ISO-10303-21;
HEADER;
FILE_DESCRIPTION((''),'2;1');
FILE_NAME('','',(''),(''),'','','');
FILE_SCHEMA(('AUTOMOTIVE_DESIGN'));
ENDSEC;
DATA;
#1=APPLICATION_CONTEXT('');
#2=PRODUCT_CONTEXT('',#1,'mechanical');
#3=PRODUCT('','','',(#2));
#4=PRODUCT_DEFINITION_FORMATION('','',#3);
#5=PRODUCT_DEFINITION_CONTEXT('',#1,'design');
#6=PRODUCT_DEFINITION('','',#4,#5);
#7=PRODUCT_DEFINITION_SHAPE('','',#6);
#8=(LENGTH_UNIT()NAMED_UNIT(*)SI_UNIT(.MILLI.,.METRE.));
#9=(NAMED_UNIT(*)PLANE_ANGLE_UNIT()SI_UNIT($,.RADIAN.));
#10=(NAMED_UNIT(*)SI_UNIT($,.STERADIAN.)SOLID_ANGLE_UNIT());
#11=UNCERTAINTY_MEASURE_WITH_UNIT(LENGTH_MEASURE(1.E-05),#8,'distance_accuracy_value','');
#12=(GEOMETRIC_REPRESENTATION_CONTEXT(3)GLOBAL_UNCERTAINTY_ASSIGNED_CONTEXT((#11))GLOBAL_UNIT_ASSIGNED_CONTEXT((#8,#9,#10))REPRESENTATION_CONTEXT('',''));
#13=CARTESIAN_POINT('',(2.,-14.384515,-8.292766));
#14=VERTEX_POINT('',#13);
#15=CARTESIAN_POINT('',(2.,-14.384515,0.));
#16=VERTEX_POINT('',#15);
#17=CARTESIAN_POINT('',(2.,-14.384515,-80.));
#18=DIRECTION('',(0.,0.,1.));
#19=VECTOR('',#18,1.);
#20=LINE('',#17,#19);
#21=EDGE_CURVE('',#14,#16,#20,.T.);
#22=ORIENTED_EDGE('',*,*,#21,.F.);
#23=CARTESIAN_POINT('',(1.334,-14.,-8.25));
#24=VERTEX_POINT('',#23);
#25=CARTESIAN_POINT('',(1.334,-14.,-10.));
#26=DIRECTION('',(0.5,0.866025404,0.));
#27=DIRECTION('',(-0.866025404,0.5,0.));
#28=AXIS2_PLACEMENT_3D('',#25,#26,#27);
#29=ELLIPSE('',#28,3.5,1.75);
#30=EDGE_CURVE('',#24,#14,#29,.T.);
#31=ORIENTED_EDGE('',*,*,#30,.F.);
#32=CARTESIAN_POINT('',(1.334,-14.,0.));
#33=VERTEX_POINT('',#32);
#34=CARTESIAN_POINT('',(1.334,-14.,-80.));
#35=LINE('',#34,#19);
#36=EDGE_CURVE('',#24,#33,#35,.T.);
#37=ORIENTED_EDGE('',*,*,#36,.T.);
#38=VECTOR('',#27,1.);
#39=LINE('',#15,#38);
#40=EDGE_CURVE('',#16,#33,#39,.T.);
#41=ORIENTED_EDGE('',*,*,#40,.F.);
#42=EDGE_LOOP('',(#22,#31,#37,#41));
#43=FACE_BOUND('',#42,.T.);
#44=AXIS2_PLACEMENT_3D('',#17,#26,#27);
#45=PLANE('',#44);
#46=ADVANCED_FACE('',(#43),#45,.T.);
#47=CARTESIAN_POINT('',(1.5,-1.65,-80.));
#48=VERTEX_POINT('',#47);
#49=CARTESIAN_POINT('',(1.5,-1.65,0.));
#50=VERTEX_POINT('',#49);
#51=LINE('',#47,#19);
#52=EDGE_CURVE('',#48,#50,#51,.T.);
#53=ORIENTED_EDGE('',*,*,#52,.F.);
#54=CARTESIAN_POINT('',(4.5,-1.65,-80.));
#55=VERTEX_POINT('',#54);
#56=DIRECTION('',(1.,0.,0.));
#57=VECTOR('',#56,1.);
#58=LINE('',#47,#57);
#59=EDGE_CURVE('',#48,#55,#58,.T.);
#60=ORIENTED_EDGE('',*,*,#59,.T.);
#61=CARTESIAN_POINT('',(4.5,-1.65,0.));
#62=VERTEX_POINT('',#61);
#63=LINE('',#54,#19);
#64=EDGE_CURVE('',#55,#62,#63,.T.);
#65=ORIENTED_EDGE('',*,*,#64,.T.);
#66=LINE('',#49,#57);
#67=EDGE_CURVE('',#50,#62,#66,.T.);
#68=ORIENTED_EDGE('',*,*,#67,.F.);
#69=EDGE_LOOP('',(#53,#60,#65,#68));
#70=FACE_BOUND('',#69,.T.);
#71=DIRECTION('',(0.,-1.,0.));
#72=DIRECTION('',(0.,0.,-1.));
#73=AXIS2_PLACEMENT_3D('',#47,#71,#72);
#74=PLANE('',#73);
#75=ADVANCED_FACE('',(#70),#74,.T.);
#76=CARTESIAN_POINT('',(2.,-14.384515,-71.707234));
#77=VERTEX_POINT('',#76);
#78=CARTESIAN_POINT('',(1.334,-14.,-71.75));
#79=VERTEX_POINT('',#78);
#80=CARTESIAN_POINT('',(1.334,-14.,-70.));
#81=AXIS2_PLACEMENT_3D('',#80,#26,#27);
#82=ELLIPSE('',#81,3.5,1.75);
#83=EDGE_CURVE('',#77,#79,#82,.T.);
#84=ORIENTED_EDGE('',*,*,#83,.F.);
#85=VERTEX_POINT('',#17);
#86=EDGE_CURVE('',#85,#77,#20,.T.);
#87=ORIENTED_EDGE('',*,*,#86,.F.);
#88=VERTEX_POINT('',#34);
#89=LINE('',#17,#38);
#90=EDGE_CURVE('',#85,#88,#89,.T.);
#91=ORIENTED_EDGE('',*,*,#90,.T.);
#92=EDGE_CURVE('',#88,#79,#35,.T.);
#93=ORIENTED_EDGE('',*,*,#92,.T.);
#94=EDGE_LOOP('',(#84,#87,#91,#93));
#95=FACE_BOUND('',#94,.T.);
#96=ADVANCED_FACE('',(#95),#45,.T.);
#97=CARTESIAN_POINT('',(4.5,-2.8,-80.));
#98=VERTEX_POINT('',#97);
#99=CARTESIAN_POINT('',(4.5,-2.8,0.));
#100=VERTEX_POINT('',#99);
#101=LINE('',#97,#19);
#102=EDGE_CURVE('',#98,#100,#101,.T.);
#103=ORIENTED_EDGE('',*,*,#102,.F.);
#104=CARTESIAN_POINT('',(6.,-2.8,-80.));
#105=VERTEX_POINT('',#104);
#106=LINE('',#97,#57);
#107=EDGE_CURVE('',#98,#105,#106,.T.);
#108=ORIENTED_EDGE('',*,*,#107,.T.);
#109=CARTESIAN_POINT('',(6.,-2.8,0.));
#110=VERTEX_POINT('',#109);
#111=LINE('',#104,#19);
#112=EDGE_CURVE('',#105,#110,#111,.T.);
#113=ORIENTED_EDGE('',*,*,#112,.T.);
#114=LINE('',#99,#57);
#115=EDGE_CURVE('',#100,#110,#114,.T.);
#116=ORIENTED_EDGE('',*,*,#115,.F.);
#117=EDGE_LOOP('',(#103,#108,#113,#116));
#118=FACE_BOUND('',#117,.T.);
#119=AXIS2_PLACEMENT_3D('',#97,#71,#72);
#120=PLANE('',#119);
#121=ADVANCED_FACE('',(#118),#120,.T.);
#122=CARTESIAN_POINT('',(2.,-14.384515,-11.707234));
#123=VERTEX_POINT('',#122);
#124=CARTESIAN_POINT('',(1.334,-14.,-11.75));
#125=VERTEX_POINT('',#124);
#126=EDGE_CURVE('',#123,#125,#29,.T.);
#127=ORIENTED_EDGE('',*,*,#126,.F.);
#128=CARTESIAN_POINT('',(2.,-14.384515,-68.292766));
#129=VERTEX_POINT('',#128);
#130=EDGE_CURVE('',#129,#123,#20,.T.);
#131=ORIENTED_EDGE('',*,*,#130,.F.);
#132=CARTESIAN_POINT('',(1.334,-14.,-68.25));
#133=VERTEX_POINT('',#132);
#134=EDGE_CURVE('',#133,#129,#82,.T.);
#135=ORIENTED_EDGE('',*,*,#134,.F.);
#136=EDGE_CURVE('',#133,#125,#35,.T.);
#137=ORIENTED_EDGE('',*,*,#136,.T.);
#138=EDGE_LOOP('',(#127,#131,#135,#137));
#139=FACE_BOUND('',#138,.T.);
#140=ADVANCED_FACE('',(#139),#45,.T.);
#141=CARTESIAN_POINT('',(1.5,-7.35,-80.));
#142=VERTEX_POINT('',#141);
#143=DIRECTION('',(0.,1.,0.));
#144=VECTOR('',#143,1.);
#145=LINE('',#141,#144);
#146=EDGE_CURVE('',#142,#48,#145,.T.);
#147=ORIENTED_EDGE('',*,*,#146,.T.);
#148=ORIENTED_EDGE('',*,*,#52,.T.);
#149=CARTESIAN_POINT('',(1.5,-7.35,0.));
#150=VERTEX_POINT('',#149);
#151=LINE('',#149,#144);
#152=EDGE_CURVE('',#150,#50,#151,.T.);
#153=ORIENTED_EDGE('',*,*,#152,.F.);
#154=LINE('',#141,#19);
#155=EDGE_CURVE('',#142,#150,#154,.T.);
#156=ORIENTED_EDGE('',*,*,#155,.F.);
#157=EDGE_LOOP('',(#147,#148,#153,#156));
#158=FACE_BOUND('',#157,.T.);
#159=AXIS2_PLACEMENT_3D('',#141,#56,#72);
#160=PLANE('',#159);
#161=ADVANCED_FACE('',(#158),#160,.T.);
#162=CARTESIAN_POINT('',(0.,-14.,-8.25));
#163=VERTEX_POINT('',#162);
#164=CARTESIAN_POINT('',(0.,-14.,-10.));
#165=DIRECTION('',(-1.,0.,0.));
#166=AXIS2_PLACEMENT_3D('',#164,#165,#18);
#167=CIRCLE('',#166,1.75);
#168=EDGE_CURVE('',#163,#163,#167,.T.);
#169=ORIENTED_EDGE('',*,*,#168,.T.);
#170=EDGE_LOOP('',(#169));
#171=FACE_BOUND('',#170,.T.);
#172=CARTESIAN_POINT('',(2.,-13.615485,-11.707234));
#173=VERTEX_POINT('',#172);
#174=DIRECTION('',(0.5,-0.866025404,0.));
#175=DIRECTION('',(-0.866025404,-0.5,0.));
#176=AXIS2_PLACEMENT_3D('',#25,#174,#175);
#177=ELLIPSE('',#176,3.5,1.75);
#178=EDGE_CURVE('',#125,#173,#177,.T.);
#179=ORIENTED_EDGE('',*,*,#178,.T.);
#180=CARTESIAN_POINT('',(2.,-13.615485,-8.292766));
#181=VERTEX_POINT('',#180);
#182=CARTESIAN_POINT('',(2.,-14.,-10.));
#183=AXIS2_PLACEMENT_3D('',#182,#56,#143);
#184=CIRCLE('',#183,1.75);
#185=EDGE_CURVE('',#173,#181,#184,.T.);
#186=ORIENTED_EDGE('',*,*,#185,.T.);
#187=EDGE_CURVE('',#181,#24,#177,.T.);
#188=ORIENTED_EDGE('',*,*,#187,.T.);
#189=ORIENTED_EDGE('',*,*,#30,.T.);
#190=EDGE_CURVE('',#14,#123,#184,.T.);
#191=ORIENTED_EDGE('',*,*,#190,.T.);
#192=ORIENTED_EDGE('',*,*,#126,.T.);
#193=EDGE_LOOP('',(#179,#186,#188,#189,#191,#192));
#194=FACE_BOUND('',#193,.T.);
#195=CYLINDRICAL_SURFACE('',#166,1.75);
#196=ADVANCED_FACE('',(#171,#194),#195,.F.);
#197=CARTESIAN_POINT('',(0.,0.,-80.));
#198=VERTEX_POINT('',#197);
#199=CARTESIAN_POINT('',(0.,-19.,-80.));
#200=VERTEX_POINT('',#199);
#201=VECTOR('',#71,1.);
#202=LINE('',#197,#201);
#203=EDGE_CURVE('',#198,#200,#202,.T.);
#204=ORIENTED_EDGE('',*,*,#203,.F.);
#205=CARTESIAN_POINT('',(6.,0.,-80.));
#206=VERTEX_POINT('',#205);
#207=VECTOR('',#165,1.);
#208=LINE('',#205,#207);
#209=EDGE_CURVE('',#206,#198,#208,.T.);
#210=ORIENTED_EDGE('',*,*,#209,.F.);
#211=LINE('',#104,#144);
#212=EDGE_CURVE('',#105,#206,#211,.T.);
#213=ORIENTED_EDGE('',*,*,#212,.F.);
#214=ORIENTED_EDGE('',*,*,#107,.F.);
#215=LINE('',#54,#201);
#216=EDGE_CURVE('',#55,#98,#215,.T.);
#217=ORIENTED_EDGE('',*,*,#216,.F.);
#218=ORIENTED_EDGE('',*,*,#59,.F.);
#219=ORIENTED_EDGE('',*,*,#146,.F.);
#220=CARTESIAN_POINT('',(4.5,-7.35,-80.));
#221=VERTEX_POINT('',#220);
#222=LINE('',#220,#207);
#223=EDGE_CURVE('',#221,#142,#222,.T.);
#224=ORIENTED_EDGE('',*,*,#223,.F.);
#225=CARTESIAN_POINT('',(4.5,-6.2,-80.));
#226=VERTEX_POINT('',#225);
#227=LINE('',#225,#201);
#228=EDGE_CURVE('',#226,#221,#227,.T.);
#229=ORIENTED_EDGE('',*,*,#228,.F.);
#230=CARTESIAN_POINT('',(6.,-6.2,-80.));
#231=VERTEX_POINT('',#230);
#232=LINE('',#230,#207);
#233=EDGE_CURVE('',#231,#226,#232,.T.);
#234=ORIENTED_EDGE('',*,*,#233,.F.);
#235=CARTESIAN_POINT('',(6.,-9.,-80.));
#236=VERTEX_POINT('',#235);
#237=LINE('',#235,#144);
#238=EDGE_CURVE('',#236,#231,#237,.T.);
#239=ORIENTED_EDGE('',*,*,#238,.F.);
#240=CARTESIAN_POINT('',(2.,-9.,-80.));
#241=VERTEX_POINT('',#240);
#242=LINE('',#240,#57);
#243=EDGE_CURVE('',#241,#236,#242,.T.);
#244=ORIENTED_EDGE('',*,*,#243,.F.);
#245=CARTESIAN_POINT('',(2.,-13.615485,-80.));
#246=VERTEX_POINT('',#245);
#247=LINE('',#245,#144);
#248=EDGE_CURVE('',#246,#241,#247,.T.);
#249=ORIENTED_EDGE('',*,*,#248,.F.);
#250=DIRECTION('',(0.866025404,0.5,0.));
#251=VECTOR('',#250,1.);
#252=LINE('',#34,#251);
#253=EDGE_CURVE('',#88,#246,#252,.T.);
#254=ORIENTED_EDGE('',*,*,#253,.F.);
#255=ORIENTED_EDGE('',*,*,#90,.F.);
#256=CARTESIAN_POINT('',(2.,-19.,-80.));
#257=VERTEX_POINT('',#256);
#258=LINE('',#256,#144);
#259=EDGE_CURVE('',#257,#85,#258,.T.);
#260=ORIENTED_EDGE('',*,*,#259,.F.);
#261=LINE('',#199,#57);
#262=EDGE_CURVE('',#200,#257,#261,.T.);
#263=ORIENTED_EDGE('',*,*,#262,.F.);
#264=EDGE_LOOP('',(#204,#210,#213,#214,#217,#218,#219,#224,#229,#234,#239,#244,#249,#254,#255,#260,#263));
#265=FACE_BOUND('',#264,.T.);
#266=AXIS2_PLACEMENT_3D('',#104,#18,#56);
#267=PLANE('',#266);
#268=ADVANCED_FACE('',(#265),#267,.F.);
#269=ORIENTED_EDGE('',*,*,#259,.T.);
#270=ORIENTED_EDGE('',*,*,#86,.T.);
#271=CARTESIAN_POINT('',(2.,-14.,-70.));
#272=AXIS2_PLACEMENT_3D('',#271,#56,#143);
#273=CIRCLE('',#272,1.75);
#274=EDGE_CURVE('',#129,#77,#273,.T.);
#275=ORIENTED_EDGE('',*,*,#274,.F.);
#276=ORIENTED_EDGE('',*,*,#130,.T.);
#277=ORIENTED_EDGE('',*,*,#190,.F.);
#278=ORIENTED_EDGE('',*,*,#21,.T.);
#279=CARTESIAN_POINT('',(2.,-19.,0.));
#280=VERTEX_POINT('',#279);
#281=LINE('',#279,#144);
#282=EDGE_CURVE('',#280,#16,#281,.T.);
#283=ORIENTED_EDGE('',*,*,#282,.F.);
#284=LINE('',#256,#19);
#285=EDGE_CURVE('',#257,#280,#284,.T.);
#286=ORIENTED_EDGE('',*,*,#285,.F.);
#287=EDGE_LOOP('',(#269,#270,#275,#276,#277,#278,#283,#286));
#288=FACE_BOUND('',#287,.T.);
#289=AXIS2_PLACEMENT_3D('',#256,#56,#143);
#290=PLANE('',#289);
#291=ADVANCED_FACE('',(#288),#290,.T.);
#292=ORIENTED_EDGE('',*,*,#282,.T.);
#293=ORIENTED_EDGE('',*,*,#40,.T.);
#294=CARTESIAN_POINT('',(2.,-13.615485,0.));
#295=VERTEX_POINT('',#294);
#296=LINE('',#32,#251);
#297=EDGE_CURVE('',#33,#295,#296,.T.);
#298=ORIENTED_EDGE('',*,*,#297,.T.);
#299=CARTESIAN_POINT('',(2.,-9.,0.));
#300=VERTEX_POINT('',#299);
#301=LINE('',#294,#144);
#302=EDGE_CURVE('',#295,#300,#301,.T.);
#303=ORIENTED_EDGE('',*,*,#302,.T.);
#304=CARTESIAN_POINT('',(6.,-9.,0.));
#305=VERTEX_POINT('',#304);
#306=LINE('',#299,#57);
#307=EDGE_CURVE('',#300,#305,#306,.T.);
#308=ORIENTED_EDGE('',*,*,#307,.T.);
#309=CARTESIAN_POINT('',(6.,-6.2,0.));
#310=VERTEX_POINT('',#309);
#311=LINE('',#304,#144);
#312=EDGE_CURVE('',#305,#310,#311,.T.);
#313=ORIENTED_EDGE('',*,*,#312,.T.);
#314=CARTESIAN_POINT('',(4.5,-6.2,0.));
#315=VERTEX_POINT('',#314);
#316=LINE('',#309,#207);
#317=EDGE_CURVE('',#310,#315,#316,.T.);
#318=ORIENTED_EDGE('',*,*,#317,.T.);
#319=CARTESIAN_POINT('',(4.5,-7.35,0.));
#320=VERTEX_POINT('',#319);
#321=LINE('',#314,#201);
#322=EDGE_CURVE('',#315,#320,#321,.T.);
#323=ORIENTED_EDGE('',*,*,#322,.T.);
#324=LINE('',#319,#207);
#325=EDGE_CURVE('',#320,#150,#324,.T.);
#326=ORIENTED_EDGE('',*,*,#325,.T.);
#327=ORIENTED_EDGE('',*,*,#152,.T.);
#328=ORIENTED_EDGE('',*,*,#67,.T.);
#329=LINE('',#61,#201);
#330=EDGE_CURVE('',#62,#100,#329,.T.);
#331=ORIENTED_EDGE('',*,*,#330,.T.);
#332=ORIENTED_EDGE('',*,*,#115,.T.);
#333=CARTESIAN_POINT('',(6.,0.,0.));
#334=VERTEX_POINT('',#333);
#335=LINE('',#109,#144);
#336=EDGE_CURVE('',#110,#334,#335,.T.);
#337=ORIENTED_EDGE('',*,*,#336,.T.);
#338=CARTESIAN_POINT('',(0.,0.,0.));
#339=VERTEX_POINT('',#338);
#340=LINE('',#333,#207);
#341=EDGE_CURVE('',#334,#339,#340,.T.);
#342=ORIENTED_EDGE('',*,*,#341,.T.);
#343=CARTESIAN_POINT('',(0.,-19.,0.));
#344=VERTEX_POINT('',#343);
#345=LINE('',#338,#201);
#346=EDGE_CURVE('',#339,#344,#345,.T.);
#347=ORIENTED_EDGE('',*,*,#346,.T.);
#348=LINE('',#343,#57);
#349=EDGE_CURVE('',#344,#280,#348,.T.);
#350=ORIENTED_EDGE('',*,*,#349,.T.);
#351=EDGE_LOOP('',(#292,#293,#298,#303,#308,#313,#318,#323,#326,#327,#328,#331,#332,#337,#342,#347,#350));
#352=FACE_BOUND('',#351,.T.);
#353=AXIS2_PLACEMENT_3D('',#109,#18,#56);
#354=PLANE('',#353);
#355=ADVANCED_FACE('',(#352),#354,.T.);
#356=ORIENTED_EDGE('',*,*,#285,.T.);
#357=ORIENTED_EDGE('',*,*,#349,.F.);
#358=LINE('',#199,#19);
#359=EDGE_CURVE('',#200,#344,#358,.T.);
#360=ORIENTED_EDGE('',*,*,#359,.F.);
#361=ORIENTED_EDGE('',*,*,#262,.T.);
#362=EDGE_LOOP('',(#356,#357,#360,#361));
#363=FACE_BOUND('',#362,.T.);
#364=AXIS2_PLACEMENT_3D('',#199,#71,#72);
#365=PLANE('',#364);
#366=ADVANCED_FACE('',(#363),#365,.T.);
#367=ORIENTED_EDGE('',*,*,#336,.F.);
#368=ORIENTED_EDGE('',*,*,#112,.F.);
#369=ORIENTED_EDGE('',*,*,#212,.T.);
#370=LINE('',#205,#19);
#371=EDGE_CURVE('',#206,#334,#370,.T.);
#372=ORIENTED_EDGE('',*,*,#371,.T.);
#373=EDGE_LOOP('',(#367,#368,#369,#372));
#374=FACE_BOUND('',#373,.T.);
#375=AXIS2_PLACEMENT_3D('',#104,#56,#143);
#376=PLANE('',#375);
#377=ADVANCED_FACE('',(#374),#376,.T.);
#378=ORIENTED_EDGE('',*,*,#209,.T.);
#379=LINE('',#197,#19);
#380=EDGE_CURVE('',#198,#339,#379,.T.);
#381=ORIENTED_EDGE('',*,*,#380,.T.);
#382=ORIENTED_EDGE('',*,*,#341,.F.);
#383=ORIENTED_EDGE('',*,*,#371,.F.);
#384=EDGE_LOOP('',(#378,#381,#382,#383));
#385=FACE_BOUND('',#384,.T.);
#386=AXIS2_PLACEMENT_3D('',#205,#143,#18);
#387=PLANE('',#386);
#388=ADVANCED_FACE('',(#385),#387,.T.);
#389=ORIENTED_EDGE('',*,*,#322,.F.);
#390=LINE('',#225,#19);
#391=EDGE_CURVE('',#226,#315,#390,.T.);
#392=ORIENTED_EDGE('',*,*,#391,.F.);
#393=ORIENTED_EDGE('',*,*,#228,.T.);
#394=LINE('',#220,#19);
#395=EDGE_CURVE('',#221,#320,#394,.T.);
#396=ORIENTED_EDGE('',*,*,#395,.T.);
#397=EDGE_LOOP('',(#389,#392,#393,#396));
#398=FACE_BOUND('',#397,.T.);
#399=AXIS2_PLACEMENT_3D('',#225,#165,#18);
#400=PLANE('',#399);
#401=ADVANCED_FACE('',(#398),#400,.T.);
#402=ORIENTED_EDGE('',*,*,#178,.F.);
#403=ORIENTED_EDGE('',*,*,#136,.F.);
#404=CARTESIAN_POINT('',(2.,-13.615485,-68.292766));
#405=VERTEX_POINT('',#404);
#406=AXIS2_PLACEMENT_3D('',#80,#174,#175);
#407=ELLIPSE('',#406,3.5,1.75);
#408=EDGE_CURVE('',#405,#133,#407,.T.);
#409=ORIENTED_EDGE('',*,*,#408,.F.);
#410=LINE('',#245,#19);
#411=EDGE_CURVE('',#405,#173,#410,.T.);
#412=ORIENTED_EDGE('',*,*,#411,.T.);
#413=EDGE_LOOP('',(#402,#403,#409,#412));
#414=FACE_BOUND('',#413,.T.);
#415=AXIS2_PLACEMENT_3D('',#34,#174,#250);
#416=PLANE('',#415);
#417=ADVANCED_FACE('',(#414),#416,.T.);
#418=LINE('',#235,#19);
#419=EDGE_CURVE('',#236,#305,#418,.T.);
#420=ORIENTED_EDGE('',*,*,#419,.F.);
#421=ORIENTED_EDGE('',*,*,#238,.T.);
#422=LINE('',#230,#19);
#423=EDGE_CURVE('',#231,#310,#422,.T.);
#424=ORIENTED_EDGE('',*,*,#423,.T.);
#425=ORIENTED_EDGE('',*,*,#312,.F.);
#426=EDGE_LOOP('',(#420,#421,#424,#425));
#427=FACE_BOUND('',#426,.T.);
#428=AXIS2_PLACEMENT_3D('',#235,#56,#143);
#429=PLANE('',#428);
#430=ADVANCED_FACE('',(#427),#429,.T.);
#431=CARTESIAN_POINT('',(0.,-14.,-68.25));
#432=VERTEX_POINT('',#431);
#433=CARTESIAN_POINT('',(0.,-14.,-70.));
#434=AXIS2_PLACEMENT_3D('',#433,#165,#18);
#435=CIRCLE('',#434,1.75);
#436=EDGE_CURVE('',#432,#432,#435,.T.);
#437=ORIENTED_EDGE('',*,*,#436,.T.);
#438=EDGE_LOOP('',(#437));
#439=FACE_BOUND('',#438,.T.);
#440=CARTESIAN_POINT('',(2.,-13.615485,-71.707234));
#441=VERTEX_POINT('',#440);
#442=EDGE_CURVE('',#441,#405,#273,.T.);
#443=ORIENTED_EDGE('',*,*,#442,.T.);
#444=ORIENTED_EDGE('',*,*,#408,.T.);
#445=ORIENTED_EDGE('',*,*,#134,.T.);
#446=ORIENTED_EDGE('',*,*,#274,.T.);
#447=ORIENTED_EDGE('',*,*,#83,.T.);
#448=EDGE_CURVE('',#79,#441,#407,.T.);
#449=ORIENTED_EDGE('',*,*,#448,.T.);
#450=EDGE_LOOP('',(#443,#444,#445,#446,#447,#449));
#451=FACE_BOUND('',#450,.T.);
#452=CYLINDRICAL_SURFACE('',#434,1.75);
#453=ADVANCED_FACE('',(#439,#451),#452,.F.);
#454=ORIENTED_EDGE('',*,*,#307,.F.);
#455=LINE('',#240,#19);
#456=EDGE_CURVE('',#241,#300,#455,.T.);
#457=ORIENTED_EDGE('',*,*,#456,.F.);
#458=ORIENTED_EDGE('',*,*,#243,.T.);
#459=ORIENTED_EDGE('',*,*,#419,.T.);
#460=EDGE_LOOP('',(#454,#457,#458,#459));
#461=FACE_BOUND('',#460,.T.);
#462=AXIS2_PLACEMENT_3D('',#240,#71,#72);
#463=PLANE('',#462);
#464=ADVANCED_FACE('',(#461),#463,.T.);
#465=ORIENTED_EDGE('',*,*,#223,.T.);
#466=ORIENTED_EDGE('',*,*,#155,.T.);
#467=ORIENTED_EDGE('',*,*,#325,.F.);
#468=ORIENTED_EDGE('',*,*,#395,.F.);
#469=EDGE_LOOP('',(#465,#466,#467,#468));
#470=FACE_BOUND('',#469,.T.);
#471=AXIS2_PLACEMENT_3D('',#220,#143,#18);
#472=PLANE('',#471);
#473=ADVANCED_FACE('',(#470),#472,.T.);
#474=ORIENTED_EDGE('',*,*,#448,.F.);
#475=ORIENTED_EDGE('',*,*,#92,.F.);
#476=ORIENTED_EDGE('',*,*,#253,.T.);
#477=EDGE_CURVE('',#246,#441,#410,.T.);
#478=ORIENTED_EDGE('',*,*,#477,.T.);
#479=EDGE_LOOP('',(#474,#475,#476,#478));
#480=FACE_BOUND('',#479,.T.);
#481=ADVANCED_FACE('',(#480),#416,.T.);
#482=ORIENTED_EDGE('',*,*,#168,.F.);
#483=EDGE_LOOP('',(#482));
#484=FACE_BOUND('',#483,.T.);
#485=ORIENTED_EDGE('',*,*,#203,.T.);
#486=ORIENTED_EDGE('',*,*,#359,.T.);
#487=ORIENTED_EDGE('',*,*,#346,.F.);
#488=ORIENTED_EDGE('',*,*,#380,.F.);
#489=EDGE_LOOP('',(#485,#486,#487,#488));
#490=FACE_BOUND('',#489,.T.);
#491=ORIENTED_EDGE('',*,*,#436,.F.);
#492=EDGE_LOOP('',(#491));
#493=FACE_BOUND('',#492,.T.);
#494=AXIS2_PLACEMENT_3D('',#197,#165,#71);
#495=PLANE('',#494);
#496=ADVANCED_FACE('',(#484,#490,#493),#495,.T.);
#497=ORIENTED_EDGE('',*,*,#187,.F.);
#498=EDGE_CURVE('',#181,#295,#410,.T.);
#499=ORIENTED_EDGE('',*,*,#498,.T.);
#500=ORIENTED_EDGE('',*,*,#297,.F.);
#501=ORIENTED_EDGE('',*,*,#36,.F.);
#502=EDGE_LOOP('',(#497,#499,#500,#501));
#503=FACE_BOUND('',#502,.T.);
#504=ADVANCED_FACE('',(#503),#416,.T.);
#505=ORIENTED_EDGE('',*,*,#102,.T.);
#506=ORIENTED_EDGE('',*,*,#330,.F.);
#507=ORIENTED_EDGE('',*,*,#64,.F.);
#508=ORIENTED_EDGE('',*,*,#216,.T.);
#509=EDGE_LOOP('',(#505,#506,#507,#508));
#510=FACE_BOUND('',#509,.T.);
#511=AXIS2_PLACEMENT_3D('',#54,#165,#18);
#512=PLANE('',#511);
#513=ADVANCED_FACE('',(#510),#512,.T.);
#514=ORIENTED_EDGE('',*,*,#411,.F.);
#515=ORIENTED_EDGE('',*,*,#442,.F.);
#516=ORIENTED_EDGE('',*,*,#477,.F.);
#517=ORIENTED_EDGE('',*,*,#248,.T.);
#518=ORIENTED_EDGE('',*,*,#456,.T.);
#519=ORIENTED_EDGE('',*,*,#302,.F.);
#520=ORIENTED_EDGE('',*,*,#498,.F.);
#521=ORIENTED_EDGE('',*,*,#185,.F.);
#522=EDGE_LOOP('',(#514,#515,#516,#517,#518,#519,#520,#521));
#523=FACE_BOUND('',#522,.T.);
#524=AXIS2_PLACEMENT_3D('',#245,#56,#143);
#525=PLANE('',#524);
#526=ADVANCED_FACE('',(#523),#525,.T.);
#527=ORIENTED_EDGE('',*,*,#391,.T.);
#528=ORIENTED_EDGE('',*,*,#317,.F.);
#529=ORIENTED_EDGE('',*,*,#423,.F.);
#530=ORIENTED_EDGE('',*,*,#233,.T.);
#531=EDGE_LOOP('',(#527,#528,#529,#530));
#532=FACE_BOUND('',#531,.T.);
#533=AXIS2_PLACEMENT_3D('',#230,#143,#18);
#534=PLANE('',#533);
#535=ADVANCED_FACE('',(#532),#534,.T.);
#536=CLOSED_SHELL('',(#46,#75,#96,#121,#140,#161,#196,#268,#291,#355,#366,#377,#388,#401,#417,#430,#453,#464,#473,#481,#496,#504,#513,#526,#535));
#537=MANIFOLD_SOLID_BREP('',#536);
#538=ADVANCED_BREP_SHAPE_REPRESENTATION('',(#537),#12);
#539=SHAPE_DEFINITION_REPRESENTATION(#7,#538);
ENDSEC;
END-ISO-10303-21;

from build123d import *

# Parameters (mm, degrees)
BOSS_EXTRUDE1_DEPTH        = 80
F_3_5_3_5_DIAMETER_HOLE1_D = 3.5


with BuildPart() as part:
    # Sketch1 → Boss-Extrude1 (new body)
    with BuildSketch(Plane.XY):
        Polygon((6, -2.8), (6, 0), (0, 0), (0, -19), (2, -19), (2, -14.384515279), (1.334, -14), (2, -13.615484721), (2, -9), (6, -9), (6, -6.2), (4.5, -6.2), (4.5, -7.35), (1.5, -7.35), (1.5, -1.65), (4.5, -1.65), (4.5, -2.8), align=None)
    extrude(amount=-BOSS_EXTRUDE1_DEPTH)

    # Ø3.5 (3.5) Diameter Hole1 (through all)
    with Locations(Plane.ZY):
        with Locations((-10, -14), (-70, -14)):
            Hole(F_3_5_3_5_DIAMETER_HOLE1_D / 2)


solid = part.part
